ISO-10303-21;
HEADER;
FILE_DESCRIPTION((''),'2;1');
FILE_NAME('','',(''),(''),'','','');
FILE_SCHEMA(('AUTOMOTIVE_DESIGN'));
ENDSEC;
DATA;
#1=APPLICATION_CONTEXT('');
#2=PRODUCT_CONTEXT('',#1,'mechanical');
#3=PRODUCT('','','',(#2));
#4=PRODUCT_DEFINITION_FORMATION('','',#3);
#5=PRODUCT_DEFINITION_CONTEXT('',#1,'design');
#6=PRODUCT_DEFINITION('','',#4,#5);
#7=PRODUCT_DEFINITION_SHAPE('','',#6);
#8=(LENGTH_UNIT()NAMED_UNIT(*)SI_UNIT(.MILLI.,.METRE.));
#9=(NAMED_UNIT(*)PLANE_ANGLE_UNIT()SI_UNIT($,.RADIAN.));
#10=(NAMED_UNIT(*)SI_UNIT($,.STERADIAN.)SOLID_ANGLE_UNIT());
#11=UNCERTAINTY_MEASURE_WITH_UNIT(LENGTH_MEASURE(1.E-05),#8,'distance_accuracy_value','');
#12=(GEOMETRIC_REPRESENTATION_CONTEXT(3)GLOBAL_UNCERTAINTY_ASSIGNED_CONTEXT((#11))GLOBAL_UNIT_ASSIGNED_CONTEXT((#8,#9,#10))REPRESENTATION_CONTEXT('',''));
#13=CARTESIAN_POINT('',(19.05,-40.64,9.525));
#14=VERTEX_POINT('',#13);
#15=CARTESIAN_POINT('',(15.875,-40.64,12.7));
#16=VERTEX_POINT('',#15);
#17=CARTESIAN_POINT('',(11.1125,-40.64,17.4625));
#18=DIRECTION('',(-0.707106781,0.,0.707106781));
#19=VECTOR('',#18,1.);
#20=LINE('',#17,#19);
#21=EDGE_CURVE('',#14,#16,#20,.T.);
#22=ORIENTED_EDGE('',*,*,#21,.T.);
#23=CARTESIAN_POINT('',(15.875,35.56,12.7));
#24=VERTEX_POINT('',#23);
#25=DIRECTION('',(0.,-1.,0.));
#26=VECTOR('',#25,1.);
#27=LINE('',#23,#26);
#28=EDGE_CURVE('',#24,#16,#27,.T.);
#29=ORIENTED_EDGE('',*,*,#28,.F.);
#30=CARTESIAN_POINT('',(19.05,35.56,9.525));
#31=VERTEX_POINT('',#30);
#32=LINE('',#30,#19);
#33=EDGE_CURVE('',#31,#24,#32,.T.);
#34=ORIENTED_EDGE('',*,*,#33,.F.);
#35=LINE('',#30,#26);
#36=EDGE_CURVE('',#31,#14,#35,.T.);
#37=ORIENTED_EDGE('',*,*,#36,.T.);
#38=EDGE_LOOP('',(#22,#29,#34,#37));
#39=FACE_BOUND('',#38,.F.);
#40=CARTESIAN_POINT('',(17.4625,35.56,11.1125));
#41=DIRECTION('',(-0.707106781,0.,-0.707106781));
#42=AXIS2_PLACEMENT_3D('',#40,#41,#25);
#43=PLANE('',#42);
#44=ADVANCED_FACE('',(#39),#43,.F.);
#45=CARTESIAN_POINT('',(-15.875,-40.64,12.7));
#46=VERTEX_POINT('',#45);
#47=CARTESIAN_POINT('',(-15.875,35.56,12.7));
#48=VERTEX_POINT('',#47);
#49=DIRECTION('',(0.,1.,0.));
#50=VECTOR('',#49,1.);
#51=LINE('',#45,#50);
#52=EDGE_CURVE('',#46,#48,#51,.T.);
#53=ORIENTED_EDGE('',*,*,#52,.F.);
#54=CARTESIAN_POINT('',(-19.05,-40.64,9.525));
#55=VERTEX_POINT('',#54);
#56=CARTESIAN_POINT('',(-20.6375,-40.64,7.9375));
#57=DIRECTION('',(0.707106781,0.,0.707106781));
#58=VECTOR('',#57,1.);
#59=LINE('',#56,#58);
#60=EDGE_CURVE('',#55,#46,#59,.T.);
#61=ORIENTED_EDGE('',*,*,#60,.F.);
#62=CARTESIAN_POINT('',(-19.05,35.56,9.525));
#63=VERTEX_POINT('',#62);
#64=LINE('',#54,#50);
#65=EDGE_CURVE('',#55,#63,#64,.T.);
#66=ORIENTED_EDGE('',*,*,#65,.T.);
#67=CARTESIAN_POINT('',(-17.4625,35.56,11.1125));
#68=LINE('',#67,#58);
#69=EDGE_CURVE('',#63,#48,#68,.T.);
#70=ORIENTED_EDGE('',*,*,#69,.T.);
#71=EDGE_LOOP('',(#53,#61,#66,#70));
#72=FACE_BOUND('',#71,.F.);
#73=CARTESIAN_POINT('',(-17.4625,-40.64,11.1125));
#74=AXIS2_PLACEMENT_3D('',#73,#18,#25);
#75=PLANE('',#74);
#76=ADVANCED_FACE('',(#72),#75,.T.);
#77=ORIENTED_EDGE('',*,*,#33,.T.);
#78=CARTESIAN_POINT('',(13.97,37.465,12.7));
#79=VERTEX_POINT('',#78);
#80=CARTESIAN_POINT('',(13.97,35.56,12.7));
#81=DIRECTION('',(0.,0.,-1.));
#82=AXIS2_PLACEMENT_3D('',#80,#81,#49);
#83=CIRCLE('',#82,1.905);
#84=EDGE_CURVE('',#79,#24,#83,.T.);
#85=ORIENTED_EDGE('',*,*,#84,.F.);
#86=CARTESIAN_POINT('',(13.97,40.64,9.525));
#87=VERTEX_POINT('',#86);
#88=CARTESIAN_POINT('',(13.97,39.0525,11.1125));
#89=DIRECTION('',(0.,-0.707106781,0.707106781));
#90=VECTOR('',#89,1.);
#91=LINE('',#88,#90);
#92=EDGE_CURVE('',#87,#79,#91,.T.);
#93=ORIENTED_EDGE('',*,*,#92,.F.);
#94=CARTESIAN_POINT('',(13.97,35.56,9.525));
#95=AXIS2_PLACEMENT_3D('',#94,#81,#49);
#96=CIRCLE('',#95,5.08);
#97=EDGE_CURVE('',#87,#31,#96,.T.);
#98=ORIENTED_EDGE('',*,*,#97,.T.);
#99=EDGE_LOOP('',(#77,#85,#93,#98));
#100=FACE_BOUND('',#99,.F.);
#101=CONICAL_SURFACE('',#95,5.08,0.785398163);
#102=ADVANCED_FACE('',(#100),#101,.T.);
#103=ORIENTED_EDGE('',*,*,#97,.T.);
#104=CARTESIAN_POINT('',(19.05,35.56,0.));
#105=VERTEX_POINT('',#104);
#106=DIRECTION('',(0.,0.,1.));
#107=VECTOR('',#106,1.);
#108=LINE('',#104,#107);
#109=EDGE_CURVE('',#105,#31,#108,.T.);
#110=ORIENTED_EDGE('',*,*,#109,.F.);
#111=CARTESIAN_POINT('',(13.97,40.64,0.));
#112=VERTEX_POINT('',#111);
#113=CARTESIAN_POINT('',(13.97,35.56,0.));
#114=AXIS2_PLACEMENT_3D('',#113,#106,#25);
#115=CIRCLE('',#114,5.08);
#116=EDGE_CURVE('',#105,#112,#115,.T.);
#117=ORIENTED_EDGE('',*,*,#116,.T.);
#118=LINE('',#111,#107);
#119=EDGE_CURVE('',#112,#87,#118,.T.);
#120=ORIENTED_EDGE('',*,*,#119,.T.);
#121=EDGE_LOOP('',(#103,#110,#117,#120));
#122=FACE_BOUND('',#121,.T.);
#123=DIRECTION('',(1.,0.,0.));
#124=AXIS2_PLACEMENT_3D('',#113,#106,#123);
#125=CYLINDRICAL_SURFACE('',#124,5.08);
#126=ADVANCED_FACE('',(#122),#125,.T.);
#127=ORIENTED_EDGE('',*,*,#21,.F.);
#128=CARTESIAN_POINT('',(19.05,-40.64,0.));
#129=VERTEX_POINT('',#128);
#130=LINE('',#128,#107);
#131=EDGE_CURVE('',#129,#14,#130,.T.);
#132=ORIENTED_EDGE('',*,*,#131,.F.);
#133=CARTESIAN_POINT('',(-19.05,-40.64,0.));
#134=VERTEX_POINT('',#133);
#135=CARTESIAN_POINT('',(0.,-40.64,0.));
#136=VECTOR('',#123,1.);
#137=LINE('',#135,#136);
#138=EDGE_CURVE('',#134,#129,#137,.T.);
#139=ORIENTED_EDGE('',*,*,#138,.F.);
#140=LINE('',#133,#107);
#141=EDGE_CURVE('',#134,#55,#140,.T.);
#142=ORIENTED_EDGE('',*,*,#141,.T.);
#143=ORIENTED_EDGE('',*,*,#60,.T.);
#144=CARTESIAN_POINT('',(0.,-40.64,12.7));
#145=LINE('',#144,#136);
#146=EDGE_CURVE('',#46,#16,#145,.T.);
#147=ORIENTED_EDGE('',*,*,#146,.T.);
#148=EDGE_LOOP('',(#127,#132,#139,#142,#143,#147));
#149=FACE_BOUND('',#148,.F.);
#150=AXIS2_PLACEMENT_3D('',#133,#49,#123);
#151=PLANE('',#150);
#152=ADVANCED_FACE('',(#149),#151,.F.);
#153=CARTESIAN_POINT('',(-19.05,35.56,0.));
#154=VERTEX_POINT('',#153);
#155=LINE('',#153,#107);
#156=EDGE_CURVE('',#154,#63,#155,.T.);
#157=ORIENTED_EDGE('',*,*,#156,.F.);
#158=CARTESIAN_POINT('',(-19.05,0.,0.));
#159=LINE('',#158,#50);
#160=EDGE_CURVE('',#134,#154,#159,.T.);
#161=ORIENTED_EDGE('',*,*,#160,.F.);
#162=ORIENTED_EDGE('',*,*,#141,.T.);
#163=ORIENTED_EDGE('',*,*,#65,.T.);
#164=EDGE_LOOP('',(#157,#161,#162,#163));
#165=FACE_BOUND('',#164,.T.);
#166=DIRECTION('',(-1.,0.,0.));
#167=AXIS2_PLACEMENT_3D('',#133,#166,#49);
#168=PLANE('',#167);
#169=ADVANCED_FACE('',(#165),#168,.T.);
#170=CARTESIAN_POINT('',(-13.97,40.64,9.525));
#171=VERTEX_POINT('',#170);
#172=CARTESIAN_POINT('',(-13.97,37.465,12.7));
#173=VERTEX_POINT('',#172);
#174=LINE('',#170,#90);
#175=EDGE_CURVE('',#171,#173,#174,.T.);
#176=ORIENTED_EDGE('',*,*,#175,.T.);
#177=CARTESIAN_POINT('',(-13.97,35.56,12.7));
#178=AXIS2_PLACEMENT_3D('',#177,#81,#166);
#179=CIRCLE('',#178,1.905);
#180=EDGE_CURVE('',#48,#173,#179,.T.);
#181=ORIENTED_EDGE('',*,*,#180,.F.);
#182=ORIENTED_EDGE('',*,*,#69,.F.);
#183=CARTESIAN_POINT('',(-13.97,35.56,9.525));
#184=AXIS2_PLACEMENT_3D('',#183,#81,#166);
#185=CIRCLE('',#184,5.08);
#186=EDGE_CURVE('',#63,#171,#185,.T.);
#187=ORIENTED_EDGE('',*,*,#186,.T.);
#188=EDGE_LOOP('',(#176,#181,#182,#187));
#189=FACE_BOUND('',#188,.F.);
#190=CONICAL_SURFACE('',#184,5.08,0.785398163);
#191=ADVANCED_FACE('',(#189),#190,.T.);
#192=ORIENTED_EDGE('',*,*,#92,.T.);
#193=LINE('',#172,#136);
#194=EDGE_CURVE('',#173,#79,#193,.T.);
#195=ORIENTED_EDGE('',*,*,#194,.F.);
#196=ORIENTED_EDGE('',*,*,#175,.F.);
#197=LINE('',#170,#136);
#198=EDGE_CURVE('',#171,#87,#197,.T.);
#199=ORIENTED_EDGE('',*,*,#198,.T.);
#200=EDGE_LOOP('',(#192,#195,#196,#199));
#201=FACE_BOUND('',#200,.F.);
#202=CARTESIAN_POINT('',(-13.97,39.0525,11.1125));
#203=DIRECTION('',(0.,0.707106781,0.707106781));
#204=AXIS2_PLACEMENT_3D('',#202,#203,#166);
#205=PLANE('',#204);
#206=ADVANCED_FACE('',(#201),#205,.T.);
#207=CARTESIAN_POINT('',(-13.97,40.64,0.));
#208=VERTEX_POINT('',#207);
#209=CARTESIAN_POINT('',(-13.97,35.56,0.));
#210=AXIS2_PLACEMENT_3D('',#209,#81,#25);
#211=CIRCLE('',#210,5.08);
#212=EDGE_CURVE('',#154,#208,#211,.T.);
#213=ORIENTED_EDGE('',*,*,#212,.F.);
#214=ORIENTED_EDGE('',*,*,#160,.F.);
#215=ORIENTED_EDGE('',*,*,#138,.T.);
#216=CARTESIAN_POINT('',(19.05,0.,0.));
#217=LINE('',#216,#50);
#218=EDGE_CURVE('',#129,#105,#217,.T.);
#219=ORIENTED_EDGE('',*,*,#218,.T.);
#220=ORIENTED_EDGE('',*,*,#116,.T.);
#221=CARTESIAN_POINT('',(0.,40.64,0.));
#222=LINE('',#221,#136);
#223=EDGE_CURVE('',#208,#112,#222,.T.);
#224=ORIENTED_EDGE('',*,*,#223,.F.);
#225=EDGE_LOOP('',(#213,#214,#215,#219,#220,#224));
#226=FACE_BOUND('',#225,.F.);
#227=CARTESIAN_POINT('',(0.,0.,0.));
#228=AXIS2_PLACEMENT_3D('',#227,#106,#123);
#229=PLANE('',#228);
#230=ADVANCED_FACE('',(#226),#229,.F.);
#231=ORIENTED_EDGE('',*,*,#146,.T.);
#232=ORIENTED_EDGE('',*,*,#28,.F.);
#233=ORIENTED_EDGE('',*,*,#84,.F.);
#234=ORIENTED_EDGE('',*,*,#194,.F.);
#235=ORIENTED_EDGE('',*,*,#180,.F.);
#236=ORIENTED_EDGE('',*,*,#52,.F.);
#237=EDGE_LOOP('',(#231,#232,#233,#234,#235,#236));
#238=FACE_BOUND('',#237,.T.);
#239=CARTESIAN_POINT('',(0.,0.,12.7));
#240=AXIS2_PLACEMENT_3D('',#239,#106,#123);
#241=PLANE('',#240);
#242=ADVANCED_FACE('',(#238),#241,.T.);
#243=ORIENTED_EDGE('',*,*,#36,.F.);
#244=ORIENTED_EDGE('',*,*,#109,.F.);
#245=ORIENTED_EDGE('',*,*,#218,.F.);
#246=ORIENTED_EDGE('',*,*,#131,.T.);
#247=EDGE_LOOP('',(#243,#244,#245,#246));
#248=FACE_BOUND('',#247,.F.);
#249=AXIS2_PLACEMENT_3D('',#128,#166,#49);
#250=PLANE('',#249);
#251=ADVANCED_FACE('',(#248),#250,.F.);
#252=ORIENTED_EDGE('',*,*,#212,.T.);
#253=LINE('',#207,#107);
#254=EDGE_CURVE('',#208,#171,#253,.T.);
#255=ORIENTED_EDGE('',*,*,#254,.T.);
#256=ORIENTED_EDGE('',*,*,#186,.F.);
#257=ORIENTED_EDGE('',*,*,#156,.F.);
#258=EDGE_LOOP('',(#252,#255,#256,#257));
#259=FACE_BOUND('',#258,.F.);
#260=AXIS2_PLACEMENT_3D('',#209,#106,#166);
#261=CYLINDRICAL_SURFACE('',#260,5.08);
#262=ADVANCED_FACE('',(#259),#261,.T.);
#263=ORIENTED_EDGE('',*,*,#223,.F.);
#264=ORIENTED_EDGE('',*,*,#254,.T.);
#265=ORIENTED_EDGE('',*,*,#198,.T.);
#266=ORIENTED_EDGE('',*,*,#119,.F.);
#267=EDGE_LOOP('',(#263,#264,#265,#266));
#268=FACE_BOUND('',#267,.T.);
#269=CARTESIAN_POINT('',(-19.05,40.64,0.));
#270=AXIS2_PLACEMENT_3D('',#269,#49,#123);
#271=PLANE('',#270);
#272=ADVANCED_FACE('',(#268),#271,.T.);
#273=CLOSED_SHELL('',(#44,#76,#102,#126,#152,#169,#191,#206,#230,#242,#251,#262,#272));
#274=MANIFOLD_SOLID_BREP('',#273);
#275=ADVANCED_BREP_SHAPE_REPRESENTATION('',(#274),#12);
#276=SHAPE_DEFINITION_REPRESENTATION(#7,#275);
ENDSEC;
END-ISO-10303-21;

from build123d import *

# Parameters (mm, degrees)
F0_W     = 38.1
F0_H     = 81.28
F1_DEPTH = 12.7
F2_R     = 5.08
F3_SIZE  = 3.175


with BuildPart() as f1:
    # F0 (on Top) → F1 (new body)
    with BuildSketch(Plane.XY):
        Rectangle(F0_W, F0_H)
    extrude(amount=F1_DEPTH)

    # F2
    f2_edges = [f1.edges().sort_by_distance(p)[0] for p in [
        (-19.05, 40.64, 6.35),
        (19.05, 40.64, 6.35),
    ]]
    fillet(f2_edges, radius=F2_R)

    # F3
    f3_edges = [f1.edges().sort_by_distance(p)[0] for p in [
        (-19.05, -2.54, 12.7),
        (0, 40.64, 12.7),
        (19.05, -2.54, 12.7),
    ]]
    chamfer(f3_edges, length=F3_SIZE)


solid = f1.part
